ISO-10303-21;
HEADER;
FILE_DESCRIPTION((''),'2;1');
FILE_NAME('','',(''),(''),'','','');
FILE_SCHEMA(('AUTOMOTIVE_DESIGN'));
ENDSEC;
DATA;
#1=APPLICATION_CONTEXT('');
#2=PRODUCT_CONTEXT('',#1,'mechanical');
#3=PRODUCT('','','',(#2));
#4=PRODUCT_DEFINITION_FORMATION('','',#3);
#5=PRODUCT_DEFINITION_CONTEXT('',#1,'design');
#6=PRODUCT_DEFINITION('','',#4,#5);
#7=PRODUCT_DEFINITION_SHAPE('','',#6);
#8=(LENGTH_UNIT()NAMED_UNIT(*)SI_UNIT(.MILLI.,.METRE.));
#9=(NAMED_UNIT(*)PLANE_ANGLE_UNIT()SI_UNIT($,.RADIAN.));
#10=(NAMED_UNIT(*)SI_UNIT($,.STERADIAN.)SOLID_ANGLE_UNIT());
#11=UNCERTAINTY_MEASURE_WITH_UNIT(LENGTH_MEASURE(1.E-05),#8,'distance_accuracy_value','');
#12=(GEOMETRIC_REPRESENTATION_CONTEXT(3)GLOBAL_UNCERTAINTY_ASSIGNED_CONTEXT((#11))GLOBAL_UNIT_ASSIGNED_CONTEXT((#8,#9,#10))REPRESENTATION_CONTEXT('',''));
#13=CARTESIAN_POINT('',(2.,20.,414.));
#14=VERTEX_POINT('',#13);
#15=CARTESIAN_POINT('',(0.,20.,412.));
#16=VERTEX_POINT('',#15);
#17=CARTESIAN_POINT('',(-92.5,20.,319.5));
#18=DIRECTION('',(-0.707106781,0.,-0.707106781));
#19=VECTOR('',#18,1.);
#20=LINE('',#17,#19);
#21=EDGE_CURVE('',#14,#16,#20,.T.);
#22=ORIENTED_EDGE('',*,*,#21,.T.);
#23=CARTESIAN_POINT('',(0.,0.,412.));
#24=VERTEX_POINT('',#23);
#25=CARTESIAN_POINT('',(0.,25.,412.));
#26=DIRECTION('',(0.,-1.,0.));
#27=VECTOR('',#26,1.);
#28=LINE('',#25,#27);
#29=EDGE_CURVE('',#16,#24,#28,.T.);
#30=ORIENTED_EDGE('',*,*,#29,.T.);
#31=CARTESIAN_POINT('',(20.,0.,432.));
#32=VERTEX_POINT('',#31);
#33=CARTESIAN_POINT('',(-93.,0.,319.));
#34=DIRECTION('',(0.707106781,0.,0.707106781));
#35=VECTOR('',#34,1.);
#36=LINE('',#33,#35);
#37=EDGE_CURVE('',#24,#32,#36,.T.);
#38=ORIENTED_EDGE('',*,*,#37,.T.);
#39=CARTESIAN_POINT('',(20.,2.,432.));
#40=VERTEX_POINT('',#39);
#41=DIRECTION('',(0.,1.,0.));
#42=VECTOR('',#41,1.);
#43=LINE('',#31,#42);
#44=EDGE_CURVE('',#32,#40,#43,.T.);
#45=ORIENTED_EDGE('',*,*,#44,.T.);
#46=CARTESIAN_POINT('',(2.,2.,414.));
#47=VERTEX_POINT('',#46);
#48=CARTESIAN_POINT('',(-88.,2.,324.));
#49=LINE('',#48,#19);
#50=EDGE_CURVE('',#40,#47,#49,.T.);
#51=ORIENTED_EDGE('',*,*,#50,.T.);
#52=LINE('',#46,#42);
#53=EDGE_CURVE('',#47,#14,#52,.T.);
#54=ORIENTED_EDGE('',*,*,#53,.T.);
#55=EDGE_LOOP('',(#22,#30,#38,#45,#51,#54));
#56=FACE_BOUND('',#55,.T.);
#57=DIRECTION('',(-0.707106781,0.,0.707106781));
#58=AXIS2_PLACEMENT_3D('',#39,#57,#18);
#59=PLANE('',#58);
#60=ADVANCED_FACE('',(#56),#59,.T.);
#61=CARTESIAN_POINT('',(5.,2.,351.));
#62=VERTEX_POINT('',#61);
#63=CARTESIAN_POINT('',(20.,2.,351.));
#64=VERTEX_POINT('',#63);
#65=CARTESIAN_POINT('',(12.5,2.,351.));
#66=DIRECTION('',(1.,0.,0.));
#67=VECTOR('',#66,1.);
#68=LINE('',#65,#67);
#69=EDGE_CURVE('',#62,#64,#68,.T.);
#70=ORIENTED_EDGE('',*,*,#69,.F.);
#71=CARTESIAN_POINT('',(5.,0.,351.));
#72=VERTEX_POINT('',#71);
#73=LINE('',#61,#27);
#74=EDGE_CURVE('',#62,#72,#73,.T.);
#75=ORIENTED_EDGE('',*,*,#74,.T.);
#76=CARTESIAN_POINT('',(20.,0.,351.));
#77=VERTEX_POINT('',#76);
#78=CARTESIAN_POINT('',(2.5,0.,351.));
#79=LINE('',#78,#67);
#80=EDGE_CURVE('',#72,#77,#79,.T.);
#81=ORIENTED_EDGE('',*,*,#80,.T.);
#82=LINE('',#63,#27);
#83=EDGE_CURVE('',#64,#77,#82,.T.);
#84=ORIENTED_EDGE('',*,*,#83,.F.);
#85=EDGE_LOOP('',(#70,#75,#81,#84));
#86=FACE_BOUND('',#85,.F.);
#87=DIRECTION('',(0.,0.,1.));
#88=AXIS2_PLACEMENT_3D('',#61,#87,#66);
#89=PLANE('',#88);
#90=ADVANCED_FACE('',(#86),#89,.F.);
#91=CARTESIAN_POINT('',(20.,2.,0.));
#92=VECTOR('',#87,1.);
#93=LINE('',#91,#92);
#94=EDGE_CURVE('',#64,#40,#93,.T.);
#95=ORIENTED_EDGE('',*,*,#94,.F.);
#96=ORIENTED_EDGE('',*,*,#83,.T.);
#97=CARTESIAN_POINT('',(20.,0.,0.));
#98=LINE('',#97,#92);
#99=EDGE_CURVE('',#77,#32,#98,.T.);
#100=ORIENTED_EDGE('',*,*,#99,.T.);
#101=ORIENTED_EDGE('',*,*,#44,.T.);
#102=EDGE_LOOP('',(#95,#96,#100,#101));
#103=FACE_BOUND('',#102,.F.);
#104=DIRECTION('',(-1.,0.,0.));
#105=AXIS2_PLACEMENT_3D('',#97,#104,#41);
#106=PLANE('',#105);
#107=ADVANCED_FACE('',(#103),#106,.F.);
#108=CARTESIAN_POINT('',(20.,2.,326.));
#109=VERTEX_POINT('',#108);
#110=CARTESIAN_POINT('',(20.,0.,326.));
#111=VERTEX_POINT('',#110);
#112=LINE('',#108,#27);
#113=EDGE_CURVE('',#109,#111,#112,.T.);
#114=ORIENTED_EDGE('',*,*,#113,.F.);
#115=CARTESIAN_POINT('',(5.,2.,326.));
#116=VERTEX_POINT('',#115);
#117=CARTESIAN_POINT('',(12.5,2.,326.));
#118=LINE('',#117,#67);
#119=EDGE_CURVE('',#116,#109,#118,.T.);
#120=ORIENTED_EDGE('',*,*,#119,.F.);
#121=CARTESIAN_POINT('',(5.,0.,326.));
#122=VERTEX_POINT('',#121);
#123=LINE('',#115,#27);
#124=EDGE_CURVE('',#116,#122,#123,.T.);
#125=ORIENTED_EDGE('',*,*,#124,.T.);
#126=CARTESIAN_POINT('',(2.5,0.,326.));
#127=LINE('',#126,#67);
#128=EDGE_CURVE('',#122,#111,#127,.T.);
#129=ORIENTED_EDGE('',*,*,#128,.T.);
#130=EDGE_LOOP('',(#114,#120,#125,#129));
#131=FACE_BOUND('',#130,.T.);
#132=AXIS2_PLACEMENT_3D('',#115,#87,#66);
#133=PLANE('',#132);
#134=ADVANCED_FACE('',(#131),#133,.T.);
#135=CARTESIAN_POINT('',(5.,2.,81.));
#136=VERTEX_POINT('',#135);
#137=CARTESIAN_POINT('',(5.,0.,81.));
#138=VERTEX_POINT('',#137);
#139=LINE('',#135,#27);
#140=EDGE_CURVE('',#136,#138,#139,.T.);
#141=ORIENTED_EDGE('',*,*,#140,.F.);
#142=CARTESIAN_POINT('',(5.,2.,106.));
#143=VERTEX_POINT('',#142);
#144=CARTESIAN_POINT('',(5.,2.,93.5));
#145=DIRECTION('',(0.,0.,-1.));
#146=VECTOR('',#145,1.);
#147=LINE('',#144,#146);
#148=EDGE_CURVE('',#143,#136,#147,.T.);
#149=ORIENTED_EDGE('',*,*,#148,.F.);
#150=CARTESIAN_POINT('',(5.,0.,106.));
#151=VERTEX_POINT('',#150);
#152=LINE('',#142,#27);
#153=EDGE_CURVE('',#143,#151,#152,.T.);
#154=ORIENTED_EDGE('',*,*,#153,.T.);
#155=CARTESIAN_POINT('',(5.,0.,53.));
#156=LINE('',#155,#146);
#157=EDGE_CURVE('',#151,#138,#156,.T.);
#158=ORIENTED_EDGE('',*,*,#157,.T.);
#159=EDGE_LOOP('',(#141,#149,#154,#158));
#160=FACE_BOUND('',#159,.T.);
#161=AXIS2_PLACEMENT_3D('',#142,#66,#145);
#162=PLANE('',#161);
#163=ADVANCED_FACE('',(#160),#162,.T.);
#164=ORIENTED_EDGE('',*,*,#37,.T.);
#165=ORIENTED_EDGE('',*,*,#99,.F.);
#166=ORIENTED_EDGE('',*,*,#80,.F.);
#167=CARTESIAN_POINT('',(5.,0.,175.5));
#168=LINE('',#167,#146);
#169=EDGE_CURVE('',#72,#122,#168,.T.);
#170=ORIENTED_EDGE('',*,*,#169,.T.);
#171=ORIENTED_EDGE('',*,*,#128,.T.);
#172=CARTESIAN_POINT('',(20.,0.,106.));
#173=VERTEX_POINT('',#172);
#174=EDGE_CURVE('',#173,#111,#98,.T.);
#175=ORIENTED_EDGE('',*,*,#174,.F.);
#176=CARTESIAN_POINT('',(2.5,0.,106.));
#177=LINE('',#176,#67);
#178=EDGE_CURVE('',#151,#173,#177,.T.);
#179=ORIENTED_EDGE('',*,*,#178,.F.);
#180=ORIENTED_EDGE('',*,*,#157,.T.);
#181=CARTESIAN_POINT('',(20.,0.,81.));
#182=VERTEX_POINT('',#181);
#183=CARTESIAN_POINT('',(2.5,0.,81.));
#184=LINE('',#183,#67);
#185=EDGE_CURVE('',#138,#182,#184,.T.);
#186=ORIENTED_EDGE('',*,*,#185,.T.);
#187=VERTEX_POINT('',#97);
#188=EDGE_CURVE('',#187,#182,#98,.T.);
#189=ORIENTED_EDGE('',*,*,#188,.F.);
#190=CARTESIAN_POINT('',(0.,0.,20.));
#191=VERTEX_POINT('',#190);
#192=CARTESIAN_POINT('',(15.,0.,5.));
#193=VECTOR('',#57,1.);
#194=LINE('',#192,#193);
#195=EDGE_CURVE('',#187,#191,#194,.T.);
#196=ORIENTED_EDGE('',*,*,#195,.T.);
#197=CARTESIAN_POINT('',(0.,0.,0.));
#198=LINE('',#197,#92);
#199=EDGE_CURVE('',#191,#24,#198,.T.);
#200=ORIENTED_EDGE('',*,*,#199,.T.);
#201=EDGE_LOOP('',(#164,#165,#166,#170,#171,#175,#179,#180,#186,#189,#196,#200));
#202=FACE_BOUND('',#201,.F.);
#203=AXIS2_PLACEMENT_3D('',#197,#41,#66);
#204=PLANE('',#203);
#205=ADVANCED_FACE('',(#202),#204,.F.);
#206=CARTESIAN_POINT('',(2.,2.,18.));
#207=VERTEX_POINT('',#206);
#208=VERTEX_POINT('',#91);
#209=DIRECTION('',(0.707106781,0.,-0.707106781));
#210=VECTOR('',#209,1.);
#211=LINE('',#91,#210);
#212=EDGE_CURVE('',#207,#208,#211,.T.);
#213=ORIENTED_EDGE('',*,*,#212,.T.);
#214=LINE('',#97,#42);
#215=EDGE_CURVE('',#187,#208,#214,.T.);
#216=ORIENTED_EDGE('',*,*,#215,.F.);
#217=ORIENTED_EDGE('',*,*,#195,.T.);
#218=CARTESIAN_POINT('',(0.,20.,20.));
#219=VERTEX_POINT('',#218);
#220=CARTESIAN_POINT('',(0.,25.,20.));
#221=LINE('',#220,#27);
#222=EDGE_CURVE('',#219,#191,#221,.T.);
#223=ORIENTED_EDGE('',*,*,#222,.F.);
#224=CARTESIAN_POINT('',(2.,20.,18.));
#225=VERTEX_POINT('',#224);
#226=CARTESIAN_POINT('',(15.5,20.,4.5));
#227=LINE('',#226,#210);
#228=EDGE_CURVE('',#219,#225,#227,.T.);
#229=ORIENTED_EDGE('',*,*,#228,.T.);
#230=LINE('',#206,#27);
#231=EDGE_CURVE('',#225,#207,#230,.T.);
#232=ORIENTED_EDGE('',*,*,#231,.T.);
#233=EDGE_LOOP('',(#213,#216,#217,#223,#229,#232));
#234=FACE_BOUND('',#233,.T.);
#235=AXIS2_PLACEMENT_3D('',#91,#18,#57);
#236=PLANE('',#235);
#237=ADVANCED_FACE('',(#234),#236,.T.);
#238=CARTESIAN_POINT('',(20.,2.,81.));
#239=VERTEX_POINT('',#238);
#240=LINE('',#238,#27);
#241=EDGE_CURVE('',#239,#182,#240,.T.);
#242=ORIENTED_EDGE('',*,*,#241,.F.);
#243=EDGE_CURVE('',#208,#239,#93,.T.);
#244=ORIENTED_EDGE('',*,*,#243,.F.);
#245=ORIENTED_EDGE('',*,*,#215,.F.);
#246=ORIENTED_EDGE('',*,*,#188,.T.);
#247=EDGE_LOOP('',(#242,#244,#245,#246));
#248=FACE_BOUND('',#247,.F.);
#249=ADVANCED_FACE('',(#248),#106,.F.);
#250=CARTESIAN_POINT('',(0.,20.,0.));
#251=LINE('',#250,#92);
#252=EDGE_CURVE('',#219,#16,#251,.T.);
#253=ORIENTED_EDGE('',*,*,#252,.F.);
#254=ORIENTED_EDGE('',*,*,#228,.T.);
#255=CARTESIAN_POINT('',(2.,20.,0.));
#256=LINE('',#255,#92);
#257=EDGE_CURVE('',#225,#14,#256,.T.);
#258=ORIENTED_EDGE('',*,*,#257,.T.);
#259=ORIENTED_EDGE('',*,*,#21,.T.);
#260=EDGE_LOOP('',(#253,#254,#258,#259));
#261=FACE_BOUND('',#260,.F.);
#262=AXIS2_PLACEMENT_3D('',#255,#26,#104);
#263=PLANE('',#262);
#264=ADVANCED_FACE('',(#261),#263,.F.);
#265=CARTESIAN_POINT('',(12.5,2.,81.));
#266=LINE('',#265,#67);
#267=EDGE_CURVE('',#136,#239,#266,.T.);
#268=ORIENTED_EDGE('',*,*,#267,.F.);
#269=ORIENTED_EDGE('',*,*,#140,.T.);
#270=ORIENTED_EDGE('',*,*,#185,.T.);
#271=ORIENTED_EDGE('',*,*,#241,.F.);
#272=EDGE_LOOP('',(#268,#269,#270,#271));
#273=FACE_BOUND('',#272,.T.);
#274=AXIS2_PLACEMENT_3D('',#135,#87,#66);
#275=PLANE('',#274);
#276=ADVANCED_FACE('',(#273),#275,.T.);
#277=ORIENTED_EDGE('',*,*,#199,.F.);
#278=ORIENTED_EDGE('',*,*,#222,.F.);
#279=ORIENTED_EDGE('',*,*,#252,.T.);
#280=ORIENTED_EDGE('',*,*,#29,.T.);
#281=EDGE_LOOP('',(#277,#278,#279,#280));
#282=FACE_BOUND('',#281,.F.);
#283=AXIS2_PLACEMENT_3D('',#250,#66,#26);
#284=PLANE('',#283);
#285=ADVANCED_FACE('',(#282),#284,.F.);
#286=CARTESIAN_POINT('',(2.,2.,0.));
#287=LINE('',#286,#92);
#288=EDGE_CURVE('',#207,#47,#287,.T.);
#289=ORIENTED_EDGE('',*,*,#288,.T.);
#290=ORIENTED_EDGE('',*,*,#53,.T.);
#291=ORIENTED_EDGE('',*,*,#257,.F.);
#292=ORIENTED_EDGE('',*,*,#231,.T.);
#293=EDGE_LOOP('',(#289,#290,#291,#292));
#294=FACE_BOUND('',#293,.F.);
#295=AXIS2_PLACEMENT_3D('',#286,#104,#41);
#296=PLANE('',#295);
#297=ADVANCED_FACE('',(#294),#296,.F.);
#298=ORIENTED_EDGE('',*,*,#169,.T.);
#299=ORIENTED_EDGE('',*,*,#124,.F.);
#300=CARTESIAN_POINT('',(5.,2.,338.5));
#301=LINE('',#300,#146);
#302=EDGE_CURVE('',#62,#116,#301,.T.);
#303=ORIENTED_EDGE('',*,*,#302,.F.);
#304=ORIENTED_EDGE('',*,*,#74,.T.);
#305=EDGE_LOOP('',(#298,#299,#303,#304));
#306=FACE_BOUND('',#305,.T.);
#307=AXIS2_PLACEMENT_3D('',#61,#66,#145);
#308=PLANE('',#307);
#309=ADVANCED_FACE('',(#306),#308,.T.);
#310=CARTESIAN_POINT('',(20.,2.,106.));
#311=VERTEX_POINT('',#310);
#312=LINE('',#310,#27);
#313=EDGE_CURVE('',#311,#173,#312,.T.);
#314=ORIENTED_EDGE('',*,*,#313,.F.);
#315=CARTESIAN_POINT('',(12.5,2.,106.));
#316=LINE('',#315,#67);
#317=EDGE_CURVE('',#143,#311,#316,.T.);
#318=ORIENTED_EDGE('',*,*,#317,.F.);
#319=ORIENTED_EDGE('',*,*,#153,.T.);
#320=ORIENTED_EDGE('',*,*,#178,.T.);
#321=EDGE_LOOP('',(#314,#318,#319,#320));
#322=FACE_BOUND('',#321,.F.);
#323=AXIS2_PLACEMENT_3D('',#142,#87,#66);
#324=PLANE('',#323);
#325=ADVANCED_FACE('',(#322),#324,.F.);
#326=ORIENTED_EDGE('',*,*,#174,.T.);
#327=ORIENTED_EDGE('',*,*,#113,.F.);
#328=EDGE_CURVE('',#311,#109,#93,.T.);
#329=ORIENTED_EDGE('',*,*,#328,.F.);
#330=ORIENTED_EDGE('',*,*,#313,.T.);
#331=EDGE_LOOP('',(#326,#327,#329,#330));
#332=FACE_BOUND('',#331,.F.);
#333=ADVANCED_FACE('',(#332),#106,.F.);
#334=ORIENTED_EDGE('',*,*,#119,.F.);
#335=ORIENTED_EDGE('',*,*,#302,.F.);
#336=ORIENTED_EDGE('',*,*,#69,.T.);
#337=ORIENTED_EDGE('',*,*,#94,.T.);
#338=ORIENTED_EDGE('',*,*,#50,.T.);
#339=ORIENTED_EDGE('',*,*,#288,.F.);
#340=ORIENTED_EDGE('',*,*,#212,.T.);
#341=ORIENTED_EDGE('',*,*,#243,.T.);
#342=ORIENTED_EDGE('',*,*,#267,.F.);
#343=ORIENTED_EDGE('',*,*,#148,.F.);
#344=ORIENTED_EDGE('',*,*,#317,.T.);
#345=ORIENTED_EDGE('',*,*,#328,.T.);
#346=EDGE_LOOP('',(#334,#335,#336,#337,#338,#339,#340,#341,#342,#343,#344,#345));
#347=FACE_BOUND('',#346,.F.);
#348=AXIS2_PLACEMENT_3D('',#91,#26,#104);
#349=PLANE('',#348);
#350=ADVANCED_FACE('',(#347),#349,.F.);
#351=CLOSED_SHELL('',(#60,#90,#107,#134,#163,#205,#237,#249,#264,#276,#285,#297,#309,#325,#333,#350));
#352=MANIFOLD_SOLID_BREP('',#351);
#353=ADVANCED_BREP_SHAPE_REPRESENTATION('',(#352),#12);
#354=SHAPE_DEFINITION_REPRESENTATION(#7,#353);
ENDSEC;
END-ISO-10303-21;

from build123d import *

# Parameters (mm, degrees)
BOSS_EXTRUDE1_DEPTH = 432
CUT_EXTRUDE1_DEPTH  = 23
SKETCH3_W           = 15
SKETCH3_H           = 25
CUT_EXTRUDE2_DEPTH  = 3


with BuildPart() as part:
    # Sketch1 → Boss-Extrude1 (new body)
    with BuildSketch(Plane.XY):
        Polygon((0, 0), (20, 0), (20, 2), (2, 2), (2, 20), (0, 20), align=None)
    extrude(amount=BOSS_EXTRUDE1_DEPTH)

    # Sketch2 → Cut-Extrude1 (cut, symmetric)
    with BuildSketch(Plane(origin=(0, 2, 0), x_dir=(1, 0, 0), z_dir=(0, 1, 0))):
        Polygon((0, -432), (20, -432), (0, -412), align=None)
        Polygon((20, 0), (0, -20), (0, 0), align=None)
    extrude(amount=CUT_EXTRUDE1_DEPTH, both=True, mode=Mode.SUBTRACT)

    # Sketch3 → Cut-Extrude2 (cut, through all)
    with BuildSketch(Plane(origin=(0, 2, 0), x_dir=(1, 0, 0), z_dir=(0, 1, 0))):
        with Locations((12.5, -93.5)):
            Rectangle(SKETCH3_W, SKETCH3_H)
        with Locations((12.5, -338.5)):
            Rectangle(SKETCH3_W, SKETCH3_H)
    extrude(amount=-CUT_EXTRUDE2_DEPTH, mode=Mode.SUBTRACT)


solid = part.part
